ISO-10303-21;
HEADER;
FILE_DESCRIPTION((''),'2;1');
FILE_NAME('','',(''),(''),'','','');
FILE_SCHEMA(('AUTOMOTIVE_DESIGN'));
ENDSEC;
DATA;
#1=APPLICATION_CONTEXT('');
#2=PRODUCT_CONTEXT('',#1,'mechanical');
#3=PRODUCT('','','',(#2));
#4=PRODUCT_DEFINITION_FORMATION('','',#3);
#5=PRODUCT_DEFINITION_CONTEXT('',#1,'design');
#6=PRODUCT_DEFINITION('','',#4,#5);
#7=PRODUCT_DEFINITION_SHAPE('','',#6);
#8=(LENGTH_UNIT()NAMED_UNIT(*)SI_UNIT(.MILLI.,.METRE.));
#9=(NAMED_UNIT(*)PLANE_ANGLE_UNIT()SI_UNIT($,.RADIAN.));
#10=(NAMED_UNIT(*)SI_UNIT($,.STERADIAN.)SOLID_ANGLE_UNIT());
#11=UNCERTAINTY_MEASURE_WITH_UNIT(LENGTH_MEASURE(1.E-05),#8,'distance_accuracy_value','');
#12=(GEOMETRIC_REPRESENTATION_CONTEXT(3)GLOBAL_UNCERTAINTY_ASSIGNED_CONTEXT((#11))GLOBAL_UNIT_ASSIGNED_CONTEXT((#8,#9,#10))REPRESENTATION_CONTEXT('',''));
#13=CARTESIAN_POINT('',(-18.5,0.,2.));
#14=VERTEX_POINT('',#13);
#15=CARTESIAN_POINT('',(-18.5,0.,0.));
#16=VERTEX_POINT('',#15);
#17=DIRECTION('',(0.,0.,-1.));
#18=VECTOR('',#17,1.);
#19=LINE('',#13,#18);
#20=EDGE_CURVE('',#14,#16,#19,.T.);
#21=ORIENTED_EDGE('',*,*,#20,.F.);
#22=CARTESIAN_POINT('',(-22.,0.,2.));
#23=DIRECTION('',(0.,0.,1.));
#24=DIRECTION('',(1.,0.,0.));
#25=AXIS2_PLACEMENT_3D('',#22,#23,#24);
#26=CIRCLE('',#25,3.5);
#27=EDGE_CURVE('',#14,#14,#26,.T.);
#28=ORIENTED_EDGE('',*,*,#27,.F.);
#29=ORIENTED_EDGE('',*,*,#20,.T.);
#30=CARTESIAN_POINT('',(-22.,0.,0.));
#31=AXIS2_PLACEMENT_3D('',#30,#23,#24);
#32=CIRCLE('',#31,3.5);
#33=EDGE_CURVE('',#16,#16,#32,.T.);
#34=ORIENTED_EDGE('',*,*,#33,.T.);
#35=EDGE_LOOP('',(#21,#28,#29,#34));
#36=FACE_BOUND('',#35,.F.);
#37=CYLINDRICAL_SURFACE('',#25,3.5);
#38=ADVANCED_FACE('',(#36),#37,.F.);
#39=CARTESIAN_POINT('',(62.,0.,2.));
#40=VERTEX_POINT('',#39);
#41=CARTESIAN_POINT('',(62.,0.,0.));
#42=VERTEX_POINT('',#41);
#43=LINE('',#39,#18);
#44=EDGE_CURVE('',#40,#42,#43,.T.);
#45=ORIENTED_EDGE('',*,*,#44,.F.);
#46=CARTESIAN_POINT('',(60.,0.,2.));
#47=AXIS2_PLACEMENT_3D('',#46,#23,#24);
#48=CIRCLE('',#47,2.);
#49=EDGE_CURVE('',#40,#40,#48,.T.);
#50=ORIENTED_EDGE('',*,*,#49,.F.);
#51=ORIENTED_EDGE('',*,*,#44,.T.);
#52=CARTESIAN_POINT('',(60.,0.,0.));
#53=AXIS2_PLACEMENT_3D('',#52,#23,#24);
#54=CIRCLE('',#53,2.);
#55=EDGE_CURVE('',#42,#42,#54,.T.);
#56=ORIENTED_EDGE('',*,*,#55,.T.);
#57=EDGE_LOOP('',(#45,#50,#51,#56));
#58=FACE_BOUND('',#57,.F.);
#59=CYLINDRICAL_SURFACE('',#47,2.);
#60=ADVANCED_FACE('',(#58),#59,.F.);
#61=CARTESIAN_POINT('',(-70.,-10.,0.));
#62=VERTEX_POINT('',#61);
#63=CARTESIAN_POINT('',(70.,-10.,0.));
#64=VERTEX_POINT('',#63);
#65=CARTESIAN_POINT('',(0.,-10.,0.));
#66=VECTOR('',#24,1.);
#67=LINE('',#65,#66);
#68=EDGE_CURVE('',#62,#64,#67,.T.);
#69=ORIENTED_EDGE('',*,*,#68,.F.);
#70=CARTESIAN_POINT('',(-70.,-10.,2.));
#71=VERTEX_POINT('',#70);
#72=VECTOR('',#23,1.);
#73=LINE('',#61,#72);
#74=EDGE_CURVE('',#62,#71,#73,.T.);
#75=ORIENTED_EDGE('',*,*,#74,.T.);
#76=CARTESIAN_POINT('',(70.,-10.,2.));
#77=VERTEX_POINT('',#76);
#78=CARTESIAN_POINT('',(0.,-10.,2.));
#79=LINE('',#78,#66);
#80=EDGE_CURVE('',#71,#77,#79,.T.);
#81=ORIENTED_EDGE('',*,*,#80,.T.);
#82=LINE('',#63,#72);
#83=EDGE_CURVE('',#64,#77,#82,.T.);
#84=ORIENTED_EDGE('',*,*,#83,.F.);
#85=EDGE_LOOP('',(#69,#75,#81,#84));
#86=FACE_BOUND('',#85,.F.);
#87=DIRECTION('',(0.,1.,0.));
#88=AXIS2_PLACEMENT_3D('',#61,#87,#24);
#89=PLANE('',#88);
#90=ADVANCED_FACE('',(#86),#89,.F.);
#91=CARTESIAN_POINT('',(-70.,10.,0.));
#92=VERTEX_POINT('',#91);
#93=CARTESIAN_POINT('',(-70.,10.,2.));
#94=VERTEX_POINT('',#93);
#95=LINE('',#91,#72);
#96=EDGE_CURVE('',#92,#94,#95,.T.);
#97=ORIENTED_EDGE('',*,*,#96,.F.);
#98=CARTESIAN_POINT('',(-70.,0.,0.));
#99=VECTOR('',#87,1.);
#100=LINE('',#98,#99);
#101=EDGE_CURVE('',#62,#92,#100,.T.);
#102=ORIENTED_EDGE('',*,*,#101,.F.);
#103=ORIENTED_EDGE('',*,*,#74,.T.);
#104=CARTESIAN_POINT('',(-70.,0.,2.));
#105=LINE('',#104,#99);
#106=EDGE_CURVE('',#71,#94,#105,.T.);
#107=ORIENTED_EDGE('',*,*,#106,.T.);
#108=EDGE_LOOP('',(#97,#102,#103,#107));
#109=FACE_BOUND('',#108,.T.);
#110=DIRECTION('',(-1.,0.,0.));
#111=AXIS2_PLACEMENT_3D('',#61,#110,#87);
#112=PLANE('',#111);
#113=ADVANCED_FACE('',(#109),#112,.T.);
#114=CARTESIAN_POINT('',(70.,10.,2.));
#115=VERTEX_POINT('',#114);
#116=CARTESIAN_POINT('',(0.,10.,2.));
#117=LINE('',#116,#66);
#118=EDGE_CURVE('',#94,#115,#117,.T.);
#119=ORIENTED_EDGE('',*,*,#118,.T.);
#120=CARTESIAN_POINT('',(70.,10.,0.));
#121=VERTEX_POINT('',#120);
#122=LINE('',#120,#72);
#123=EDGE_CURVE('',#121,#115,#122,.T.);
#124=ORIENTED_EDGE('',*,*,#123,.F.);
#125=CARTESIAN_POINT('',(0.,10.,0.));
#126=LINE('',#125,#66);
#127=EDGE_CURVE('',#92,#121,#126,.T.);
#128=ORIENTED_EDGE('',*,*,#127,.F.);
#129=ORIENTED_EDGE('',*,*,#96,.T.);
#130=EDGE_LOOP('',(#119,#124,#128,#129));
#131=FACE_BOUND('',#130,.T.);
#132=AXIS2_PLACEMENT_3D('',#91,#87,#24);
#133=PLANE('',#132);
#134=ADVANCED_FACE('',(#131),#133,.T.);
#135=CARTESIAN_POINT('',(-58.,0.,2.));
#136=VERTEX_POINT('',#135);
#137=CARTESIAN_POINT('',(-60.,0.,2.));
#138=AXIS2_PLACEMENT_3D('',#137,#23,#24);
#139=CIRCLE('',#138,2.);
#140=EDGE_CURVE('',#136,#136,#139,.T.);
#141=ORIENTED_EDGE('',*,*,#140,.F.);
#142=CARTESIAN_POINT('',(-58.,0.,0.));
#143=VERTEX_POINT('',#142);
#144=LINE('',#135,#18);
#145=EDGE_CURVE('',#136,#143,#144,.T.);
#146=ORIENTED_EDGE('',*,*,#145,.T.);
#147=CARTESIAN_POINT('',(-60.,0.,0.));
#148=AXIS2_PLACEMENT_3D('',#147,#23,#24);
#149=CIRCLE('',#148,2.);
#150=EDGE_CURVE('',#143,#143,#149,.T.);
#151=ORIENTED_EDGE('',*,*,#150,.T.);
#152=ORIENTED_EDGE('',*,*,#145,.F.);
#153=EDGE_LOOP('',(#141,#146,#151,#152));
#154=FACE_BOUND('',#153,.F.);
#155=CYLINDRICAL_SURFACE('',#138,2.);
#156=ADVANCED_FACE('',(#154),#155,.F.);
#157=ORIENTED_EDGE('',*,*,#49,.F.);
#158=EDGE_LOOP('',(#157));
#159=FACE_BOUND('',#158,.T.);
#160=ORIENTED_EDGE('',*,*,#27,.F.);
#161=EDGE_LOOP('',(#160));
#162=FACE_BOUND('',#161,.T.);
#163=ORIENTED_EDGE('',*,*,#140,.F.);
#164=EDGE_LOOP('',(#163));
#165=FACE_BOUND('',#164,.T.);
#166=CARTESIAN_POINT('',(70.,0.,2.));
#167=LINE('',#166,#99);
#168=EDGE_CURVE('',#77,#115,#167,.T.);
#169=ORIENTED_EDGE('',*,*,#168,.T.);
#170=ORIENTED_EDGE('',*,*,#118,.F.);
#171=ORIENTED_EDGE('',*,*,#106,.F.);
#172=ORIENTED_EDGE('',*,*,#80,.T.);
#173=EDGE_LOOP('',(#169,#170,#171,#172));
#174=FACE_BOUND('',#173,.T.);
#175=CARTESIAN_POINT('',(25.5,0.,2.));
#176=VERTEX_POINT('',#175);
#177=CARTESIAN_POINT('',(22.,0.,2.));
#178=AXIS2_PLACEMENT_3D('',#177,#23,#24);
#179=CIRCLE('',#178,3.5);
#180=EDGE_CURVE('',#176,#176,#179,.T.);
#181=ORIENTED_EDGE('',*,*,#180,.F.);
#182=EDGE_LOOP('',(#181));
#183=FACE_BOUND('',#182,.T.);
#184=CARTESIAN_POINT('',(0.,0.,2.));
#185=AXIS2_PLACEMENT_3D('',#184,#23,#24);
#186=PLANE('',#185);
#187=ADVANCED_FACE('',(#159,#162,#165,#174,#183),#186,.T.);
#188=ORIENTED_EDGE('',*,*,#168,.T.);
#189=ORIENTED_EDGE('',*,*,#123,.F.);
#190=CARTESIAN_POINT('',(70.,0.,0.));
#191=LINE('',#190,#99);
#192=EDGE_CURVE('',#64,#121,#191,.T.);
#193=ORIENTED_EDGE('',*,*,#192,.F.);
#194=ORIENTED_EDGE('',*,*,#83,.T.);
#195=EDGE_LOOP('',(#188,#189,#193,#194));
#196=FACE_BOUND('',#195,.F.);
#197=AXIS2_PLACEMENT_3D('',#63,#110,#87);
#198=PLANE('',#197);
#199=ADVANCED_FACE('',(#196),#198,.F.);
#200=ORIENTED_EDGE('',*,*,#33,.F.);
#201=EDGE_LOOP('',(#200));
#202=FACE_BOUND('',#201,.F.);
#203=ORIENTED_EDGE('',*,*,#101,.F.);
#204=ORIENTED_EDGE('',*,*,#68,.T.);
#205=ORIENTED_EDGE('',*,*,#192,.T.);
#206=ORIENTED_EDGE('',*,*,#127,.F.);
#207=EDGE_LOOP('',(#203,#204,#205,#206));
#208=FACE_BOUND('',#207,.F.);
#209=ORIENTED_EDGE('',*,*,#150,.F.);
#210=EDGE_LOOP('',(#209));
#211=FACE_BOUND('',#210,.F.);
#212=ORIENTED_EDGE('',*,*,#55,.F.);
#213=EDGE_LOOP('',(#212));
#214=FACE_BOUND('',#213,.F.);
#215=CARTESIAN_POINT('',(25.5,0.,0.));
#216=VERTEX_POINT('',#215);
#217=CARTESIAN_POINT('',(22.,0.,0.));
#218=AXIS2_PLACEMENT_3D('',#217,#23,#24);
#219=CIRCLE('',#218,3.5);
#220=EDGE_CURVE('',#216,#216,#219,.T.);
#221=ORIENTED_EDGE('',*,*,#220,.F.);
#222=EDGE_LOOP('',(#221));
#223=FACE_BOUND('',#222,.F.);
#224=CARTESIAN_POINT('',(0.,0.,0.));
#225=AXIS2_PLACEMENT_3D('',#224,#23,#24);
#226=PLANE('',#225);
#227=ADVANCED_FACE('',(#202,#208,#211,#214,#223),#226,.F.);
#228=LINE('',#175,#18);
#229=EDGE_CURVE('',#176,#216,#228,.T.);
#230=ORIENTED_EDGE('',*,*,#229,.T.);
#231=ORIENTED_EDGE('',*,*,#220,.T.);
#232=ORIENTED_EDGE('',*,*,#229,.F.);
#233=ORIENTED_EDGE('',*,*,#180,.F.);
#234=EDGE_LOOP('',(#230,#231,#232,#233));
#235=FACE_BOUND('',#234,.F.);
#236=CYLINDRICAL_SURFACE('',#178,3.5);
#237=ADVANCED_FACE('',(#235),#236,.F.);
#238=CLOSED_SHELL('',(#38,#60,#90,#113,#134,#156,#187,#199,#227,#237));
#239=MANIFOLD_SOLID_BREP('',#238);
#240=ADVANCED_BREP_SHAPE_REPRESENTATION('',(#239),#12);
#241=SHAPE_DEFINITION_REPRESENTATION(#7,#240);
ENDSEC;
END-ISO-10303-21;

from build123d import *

# Parameters (mm, degrees)
SKETCH1_W           = 140
SKETCH1_H           = 20
BOSS_EXTRUDE1_DEPTH = 2
SKETCH2_R           = 2
CUT_EXTRUDE1_DEPTH  = 3
CUT_EXTRUDE2_REACH  = 4
SKETCH3_R           = 3.5


with BuildPart() as part:
    # Sketch1 → Boss-Extrude1 (new body)
    with BuildSketch(Plane.XY):
        Rectangle(SKETCH1_W, SKETCH1_H)
    extrude(amount=BOSS_EXTRUDE1_DEPTH)

    # Sketch2 → Cut-Extrude1 (cut, through all)
    with BuildSketch(Plane.XY.offset(2)):
        with Locations((-60, 0)):
            Circle(SKETCH2_R)
        with Locations((60, 0)):
            Circle(SKETCH2_R)
    extrude(amount=-CUT_EXTRUDE1_DEPTH, mode=Mode.SUBTRACT)

    # Sketch3 → Cut-Extrude2 (cut, up to next)
    with BuildSketch(Plane.XY.offset(2), mode=Mode.PRIVATE) as cut_extrude2_sk1:
        with Locations((22, 0)):
            Circle(SKETCH3_R)
    cut_extrude2_tool1 = extrude(cut_extrude2_sk1.sketch, amount=-CUT_EXTRUDE2_REACH, mode=Mode.PRIVATE) & part.part
    add(cut_extrude2_tool1.solids().sort_by_distance((22, 0, 2))[0], mode=Mode.SUBTRACT)
    # Sketch3 → Cut-Extrude2 (cut, up to next)
    with BuildSketch(Plane.XY.offset(2), mode=Mode.PRIVATE) as cut_extrude2_sk2:
        with Locations((-22, 0)):
            Circle(SKETCH3_R)
    cut_extrude2_tool2 = extrude(cut_extrude2_sk2.sketch, amount=-CUT_EXTRUDE2_REACH, mode=Mode.PRIVATE) & part.part
    add(cut_extrude2_tool2.solids().sort_by_distance((-22, 0, 2))[0], mode=Mode.SUBTRACT)


solid = part.part
